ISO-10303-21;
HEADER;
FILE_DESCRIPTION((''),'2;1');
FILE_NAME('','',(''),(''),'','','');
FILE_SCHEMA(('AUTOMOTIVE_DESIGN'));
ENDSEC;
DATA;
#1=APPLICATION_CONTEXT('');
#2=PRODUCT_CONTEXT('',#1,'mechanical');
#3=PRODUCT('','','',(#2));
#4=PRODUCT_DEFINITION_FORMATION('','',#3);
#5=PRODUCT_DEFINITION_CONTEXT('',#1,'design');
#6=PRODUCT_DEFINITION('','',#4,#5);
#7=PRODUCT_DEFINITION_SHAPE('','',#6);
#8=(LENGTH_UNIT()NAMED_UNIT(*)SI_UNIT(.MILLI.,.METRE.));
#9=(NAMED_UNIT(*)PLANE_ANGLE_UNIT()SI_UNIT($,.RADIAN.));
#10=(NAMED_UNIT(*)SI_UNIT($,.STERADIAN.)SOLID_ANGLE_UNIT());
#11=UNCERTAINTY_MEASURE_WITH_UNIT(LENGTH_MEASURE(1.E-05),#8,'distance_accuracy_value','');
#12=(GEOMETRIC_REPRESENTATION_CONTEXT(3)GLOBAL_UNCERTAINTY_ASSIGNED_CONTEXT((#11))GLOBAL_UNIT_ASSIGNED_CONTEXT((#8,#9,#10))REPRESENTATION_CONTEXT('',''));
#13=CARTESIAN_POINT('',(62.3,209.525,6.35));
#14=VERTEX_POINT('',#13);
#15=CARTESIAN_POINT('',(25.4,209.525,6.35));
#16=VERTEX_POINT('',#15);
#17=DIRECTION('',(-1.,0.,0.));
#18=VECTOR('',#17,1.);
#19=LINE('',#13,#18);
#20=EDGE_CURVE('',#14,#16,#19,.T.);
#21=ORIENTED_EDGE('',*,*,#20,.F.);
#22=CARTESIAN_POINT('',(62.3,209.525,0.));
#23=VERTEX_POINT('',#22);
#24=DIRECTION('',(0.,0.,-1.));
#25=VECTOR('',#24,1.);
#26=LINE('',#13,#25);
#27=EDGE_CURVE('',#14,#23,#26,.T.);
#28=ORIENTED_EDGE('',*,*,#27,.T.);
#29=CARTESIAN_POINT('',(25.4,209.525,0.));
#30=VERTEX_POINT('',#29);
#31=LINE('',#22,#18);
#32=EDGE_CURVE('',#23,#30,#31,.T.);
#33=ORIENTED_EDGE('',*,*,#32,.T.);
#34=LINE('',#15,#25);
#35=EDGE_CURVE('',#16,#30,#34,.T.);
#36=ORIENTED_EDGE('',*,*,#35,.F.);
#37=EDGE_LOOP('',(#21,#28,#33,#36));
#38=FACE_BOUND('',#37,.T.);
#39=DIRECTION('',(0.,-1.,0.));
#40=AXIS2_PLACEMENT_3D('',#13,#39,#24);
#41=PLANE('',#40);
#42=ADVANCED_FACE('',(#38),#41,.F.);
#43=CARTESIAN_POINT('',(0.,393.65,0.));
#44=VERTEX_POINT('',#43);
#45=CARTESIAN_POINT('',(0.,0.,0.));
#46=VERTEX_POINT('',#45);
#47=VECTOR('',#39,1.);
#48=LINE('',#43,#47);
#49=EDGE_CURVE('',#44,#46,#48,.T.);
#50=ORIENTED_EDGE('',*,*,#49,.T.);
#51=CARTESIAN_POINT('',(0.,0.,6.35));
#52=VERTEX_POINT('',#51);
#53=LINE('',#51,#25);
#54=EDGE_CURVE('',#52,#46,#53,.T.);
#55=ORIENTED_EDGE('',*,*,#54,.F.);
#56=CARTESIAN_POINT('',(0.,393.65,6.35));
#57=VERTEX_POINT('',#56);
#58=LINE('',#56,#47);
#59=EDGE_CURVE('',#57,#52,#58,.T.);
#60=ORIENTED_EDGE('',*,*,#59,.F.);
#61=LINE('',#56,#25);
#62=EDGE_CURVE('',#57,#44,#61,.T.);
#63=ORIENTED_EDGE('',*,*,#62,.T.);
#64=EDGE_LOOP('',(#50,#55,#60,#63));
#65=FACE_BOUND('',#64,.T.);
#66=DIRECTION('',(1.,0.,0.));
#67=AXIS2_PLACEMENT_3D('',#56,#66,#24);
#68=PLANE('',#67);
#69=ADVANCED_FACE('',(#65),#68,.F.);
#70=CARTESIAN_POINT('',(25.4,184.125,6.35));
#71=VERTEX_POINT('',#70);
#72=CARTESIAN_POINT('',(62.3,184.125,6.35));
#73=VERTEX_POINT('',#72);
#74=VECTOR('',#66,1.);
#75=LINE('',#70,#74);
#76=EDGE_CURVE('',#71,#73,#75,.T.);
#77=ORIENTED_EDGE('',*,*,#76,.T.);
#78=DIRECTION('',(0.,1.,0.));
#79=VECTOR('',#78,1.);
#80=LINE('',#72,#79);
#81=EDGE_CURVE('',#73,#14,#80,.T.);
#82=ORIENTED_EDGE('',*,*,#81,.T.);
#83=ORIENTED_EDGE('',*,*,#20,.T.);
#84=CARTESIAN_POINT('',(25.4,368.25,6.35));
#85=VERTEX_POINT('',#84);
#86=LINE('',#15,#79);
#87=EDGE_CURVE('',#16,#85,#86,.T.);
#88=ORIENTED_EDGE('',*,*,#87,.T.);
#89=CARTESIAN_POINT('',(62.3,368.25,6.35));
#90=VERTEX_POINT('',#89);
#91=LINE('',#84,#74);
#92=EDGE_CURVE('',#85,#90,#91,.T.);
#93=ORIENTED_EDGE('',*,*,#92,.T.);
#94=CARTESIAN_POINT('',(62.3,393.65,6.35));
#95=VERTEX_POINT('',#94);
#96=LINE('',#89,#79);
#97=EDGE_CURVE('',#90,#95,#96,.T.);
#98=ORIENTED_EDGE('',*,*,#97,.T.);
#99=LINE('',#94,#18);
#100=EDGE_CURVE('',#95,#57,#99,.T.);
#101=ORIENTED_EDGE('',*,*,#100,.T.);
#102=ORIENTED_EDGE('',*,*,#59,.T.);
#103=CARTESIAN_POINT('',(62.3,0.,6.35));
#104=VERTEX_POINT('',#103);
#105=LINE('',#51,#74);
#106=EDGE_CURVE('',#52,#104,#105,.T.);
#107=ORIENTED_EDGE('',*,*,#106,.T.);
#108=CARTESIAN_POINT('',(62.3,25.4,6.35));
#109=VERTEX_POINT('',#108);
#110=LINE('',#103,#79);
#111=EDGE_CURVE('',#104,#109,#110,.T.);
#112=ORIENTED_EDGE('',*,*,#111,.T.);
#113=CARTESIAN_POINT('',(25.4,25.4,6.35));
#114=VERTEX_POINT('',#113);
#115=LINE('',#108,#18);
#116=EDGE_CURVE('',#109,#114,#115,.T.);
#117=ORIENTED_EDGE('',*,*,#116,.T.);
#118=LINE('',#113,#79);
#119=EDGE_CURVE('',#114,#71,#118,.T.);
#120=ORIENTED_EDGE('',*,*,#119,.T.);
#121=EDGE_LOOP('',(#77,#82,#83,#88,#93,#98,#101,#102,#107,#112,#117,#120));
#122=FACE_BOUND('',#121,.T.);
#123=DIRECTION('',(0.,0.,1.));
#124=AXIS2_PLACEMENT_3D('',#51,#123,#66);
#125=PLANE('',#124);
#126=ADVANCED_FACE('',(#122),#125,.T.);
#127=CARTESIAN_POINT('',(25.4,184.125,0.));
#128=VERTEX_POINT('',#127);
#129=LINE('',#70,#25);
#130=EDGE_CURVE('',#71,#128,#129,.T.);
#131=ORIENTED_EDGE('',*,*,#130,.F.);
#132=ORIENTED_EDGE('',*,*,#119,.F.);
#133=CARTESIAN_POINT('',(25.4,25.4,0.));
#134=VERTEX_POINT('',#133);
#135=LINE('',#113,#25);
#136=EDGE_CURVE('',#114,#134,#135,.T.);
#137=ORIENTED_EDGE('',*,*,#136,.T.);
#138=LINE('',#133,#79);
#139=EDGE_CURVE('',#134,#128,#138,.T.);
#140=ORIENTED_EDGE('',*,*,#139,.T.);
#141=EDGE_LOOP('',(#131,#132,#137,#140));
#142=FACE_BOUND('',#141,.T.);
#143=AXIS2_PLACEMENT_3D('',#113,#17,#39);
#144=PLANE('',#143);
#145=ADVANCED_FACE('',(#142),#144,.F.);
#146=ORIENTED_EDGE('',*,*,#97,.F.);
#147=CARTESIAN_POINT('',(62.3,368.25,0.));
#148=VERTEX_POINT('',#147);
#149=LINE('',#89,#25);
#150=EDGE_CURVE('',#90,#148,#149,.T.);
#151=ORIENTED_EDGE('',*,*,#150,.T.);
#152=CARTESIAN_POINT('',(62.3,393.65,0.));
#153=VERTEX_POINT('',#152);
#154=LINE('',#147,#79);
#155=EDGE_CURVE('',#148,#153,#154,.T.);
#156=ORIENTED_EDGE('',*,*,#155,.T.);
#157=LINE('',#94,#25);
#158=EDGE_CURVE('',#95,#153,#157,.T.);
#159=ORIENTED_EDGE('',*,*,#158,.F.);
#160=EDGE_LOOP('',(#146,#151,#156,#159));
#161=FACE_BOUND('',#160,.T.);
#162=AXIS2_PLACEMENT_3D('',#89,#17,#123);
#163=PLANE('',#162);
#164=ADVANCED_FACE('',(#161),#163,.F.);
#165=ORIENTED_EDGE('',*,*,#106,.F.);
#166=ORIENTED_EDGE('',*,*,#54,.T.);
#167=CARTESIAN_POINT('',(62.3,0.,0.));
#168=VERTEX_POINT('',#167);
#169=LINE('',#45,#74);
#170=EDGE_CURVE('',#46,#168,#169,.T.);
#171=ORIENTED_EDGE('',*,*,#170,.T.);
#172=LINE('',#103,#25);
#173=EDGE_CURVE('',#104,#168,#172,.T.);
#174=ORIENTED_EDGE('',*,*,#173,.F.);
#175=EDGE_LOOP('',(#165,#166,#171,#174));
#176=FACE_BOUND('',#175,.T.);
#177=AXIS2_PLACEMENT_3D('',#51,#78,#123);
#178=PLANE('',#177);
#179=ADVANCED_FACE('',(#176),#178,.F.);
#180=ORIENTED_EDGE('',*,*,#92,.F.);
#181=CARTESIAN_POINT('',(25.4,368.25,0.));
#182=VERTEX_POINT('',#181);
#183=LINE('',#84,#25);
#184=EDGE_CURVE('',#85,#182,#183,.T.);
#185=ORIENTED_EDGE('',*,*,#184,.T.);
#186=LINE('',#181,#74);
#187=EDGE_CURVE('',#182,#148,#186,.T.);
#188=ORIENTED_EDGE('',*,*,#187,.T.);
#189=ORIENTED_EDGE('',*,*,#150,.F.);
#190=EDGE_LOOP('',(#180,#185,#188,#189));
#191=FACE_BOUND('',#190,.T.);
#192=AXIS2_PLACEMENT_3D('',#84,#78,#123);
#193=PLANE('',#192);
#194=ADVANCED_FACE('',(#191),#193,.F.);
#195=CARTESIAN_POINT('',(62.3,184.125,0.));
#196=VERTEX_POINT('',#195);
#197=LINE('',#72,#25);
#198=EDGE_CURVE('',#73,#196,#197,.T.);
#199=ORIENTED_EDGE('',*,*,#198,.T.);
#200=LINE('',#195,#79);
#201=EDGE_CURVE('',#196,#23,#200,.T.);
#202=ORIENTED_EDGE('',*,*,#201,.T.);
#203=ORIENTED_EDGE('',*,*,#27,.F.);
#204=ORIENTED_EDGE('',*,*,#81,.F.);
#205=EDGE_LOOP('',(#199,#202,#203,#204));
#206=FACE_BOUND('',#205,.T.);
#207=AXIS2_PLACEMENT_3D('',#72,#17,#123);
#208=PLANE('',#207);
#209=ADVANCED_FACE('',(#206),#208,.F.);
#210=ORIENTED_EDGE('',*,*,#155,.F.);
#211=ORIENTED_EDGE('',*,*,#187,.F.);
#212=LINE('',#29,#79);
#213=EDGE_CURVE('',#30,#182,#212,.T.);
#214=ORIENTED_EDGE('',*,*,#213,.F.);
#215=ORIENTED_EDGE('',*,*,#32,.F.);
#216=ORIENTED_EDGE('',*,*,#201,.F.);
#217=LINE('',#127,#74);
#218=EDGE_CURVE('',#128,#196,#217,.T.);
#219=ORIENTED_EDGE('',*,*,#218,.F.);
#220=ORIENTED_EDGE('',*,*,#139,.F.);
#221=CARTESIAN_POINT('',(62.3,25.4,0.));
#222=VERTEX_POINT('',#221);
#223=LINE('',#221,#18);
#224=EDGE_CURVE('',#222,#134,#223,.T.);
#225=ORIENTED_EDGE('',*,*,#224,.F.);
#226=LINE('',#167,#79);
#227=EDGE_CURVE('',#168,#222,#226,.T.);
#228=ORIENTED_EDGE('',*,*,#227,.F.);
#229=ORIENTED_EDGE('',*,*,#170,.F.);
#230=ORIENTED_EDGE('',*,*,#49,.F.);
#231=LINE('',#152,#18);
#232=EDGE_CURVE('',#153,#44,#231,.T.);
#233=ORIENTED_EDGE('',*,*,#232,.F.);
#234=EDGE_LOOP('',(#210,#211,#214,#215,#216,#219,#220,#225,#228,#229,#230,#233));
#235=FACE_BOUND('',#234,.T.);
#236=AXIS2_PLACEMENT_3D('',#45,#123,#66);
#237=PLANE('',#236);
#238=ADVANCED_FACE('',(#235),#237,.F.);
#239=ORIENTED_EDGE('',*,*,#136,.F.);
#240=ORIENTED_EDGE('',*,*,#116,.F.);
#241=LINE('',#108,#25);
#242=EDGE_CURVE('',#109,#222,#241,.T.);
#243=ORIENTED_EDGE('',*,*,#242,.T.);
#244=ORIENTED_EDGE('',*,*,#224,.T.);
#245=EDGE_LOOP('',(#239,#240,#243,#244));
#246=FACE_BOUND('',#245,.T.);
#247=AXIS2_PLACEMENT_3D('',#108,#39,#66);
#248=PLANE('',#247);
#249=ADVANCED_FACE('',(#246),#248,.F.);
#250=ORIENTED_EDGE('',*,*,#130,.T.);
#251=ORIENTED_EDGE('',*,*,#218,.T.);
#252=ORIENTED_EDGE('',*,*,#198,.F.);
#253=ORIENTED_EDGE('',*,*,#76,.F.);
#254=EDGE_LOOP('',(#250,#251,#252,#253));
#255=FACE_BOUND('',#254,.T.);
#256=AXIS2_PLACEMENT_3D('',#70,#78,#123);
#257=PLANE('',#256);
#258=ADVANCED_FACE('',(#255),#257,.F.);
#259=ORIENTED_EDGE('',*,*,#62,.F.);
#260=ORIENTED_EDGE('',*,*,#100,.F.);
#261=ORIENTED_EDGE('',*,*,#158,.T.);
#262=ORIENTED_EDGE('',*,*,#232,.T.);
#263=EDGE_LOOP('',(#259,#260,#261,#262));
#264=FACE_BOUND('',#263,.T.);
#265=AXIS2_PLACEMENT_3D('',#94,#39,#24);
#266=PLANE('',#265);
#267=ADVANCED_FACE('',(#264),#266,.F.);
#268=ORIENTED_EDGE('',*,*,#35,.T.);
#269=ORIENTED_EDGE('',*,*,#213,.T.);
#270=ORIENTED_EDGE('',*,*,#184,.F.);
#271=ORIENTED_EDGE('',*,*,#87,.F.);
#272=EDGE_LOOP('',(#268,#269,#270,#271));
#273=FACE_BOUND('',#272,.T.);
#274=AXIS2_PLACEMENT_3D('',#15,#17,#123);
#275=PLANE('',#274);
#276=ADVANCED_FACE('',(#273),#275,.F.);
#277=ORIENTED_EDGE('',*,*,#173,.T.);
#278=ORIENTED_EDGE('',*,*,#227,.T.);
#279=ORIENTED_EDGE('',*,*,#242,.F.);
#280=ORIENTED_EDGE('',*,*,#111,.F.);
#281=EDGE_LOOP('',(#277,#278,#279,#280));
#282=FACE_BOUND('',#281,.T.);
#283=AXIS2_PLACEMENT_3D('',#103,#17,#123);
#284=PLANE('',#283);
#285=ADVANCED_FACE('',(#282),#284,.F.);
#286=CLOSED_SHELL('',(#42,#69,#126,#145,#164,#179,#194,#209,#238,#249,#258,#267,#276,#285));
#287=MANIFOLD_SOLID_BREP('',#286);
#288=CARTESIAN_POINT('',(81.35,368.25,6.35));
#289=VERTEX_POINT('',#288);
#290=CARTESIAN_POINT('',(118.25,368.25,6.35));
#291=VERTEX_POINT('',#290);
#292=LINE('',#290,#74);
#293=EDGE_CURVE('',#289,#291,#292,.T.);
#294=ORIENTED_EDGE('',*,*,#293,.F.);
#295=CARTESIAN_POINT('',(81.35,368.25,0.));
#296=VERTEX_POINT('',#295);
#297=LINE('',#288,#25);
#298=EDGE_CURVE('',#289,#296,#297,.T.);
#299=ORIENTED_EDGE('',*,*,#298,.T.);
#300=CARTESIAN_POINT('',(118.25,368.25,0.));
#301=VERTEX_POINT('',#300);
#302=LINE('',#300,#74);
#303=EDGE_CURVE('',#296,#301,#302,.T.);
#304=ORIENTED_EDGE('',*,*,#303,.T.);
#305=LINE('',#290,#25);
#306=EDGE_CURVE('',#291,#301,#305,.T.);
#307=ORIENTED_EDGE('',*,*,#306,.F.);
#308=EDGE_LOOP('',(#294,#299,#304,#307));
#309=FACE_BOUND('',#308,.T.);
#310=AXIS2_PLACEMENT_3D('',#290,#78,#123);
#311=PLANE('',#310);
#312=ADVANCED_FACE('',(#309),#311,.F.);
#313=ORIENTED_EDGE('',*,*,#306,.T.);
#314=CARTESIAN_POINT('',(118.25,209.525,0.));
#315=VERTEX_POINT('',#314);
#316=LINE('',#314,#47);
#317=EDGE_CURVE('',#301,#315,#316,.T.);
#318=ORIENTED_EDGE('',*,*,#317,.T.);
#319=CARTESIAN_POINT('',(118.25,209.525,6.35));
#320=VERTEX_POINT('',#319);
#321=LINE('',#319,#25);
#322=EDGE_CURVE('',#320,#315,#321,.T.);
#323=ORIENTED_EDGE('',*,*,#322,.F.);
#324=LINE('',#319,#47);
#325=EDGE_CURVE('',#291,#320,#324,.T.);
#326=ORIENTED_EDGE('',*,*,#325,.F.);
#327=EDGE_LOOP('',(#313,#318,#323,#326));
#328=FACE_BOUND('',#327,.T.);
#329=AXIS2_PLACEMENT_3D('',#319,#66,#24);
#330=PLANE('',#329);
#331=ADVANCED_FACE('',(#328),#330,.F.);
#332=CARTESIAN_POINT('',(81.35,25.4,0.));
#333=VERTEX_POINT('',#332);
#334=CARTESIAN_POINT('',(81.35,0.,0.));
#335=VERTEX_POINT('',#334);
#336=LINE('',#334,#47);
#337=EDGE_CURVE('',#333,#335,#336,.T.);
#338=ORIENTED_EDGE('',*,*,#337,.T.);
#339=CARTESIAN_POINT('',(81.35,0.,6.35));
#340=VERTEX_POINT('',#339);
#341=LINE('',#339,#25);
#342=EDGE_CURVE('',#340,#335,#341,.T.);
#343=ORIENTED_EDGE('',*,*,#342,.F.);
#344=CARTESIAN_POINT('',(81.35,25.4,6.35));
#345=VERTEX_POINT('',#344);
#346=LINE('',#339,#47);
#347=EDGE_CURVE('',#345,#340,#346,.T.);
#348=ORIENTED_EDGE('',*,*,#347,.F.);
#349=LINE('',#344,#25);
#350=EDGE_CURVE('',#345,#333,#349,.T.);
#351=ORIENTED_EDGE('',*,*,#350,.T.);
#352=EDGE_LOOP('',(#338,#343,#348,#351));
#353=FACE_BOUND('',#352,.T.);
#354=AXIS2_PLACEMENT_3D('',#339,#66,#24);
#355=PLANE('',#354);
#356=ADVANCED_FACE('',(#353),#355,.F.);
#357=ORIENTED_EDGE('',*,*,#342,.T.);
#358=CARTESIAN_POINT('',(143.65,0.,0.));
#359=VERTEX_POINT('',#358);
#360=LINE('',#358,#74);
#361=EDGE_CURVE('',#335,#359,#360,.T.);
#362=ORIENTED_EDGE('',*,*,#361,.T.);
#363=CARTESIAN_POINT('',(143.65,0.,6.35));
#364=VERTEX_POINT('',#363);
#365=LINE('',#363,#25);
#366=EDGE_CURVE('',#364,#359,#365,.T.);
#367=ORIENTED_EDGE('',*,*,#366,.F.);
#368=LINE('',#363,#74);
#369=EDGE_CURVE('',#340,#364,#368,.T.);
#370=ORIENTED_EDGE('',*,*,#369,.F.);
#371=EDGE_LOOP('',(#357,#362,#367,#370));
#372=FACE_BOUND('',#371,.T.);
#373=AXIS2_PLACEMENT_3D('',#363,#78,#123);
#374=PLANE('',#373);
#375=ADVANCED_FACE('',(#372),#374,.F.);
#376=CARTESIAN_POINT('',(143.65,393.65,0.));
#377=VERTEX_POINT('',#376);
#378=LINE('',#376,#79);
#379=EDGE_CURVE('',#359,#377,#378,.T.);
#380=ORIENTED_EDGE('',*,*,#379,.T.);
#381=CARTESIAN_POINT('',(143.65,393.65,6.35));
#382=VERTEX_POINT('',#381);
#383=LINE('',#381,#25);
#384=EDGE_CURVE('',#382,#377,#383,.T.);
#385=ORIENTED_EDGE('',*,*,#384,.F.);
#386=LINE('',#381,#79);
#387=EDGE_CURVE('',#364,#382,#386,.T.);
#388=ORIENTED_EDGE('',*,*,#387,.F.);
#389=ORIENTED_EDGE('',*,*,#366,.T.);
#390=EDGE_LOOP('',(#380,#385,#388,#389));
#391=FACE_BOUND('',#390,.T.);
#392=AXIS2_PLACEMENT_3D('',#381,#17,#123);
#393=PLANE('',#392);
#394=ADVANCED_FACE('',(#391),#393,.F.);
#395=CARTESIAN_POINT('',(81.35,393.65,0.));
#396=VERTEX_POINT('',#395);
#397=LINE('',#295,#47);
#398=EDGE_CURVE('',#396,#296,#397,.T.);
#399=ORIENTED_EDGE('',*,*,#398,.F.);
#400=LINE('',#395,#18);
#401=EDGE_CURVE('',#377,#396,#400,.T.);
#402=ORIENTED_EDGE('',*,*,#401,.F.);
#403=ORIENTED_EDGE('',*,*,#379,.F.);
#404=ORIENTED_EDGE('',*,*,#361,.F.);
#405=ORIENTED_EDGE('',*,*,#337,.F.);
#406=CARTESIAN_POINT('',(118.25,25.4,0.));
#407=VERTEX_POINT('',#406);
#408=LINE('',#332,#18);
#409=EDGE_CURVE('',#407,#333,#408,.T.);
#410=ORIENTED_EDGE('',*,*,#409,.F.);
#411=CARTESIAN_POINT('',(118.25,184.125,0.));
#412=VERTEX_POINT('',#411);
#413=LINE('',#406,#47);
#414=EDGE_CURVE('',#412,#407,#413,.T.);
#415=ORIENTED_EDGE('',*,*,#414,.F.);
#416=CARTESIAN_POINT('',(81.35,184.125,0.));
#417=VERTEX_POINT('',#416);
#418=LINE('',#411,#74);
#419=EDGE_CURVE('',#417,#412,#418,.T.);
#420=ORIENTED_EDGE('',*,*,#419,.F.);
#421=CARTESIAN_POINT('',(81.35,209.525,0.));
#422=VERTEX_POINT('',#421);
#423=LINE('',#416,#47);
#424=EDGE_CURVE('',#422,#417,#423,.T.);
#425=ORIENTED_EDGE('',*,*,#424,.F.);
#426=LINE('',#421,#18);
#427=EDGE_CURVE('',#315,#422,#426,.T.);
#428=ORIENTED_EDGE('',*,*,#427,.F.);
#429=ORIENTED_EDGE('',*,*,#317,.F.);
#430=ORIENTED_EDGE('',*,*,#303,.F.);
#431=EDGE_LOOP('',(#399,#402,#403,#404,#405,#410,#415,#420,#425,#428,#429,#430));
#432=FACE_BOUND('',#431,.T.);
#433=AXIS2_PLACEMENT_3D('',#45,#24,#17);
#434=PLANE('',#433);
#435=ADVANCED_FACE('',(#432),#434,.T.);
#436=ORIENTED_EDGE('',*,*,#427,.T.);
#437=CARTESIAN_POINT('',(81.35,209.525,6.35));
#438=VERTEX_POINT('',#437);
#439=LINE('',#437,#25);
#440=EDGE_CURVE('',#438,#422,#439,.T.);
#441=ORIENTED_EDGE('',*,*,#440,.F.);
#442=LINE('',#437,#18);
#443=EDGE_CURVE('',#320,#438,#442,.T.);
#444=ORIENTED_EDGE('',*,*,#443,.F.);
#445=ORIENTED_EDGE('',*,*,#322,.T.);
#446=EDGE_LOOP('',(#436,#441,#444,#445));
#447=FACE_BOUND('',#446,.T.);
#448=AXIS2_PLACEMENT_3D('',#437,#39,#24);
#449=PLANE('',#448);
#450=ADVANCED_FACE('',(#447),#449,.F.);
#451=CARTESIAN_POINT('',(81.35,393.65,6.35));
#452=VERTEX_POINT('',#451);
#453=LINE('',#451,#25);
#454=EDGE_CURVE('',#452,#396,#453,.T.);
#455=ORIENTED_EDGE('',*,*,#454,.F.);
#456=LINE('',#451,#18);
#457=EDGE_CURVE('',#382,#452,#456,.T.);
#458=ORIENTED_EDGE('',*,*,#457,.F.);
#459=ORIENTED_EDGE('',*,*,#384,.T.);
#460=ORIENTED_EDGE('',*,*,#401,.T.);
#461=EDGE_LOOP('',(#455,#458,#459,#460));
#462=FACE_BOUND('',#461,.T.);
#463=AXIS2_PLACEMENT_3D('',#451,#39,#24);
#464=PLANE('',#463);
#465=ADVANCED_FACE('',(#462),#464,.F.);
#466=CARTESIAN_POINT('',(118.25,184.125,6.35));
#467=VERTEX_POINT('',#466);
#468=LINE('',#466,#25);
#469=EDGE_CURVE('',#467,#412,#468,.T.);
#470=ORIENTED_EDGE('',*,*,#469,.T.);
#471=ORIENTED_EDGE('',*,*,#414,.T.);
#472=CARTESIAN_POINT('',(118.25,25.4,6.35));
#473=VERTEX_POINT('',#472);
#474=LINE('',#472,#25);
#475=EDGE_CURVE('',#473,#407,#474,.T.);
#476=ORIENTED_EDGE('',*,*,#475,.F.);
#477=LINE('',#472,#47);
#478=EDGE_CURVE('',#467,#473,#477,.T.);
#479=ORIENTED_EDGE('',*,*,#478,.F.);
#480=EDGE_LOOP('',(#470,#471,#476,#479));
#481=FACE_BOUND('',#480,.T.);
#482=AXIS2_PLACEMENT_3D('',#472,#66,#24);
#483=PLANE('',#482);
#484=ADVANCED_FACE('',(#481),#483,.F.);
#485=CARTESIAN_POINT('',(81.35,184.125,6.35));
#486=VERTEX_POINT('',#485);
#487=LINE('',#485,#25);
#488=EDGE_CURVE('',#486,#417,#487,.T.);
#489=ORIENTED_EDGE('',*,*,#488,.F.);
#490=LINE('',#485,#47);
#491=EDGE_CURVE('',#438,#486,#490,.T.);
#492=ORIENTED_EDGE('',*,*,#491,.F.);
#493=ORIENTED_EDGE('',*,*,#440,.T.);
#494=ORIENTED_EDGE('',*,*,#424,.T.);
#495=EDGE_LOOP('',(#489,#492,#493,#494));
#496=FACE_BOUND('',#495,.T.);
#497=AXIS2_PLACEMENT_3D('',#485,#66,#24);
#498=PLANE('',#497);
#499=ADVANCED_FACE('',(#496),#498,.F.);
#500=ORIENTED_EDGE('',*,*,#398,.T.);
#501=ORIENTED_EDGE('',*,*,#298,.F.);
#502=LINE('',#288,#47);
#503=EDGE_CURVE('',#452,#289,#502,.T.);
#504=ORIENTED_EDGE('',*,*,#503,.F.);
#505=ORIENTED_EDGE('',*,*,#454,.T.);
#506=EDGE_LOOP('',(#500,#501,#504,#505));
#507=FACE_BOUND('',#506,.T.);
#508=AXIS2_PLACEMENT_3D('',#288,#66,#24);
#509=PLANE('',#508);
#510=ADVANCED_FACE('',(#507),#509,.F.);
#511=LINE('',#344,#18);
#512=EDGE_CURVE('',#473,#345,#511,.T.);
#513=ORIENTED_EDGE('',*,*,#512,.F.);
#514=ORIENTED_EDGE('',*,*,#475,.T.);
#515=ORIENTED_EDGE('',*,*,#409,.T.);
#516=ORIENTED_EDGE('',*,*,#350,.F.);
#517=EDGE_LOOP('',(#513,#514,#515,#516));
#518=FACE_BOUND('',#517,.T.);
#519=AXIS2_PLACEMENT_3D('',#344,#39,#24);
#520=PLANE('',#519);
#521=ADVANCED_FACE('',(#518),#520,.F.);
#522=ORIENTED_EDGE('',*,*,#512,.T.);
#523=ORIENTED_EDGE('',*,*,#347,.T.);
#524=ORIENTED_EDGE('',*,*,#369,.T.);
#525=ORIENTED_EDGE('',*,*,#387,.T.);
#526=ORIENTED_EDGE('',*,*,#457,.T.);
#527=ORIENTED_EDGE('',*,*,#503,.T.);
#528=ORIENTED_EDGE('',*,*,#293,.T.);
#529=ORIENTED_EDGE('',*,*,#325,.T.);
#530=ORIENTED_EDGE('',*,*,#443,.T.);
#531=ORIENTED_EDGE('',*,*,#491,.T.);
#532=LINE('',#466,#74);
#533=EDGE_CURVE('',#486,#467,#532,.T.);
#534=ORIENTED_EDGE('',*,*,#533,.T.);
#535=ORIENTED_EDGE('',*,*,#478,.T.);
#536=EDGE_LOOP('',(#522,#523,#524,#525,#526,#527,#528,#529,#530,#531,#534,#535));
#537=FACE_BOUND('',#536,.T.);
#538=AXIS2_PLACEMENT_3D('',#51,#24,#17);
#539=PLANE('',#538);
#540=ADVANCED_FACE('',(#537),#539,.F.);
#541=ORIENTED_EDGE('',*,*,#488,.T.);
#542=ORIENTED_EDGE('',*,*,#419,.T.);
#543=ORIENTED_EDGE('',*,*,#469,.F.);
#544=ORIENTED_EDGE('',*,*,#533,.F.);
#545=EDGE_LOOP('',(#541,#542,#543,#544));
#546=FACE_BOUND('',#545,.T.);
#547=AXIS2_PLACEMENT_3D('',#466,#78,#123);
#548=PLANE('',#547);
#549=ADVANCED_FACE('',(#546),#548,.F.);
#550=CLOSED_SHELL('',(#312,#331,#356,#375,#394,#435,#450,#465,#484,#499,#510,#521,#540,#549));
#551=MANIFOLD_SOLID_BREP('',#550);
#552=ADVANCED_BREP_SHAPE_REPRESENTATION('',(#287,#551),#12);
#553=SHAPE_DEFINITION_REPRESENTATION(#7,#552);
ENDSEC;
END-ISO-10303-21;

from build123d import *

# Parameters (mm, degrees)
SALIENTE_EXTRUIR1_DEPTH   = 6.35
SALIENTE_EXTRUIR1_2_DEPTH = 6.35


with BuildPart() as part:
    # Croquis1 → Saliente-Extruir1 (new body)
    with BuildSketch(Plane.XY):
        Polygon((0, 0), (62.300000114, 0), (62.300000114, 25.4), (25.4, 25.4), (25.4, 184.12500005), (62.300000114, 184.12500005), (62.300000114, 209.52500005), (25.4, 209.52500005), (25.4, 368.2500001), (62.300000114, 368.2500001), (62.300000114, 393.6500001), (0, 393.6500001), align=None)
    extrude(amount=SALIENTE_EXTRUIR1_DEPTH)


with BuildPart() as body_2:
    # Croquis1 → Saliente-Extruir1 2 (new body)
    with BuildSketch(Plane.XY):
        Polygon((81.350000114, 184.12500005), (81.350000114, 209.52500005), (118.250000228, 209.52500005), (118.250000228, 368.2500001), (81.350000114, 368.2500001), (81.350000114, 393.6500001), (143.650000228, 393.6500001), (143.650000228, 0), (81.350000114, 0), (81.350000114, 25.4), (118.250000228, 25.4), (118.250000228, 184.12500005), align=None)
    extrude(amount=SALIENTE_EXTRUIR1_2_DEPTH)


solid = Compound([part.part, body_2.part])
